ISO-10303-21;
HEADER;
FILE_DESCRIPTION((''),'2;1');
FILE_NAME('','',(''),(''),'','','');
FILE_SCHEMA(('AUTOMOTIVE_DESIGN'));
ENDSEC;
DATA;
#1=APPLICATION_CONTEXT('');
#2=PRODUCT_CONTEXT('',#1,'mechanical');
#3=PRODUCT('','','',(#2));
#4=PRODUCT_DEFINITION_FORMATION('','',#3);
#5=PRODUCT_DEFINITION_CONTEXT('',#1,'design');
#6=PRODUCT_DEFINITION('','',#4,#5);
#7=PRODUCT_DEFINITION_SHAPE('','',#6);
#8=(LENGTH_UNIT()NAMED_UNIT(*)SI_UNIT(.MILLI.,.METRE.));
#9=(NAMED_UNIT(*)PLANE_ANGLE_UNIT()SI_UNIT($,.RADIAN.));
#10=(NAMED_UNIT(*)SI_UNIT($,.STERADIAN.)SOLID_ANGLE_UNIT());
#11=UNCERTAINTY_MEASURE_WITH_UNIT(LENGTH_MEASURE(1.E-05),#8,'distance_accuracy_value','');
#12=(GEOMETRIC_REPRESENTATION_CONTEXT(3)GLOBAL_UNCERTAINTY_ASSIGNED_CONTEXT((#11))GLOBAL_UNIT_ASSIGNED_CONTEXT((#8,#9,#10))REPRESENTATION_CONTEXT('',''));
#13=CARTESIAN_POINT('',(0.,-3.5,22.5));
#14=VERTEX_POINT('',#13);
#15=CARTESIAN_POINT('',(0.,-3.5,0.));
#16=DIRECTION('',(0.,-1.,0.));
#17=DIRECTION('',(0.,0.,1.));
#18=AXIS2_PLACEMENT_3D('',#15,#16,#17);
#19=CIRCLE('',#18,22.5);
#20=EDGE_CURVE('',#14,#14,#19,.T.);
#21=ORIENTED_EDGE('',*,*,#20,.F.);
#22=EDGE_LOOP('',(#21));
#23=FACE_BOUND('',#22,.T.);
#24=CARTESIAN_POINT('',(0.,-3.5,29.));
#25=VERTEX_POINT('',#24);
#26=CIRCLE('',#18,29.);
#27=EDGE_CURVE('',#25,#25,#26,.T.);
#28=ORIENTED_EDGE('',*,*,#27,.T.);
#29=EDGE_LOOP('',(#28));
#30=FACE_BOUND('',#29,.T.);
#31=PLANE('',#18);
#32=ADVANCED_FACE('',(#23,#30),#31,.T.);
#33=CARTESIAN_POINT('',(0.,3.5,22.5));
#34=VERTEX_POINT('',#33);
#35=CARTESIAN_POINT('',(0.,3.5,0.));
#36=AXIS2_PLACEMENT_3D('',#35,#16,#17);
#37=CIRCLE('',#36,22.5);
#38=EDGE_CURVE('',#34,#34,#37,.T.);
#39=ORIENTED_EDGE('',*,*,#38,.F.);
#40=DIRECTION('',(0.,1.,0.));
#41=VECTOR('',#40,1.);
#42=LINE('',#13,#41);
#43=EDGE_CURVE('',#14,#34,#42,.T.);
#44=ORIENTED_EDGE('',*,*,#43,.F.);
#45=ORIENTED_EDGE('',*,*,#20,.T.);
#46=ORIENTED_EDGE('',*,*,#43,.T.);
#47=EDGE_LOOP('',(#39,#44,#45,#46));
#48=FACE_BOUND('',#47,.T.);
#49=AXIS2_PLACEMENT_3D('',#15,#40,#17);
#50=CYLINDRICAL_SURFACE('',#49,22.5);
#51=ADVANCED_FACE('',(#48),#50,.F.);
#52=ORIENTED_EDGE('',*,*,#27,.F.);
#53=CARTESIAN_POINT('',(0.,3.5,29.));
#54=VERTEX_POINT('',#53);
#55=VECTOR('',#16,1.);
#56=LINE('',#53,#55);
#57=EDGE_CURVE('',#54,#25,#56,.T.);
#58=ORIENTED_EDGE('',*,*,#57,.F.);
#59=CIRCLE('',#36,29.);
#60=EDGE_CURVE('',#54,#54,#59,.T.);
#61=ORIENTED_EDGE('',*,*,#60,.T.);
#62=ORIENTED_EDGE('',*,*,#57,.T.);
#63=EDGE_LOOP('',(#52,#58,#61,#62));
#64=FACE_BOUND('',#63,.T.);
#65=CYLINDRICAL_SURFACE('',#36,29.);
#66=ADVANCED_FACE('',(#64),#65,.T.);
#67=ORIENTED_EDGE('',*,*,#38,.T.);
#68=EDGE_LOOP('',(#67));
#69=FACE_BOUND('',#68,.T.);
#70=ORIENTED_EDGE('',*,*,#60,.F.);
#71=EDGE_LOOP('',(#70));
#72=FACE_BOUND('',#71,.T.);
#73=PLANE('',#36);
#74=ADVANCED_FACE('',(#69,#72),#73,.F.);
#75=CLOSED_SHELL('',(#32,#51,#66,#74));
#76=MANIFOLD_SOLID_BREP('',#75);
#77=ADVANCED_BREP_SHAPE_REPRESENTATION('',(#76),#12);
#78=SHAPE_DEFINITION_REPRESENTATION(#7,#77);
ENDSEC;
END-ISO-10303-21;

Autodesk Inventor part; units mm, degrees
ref_plane "YZ Plane" through (0, 0, 0) normal (1, 0, 0) x (0, 1, 0)
ref_plane "XZ Plane" through (0, 0, 0) normal (0, 1, 0) x (-1, 0, 0)
ref_plane "XY Plane" through (0, 0, 0) normal (0, 0, 1) x (1, 0, 0)
sketch "Sketch1" plane through (0, 0, 0) normal (1, 0, 0) x (0, 1, 0)
  line L0 (-3.5, 22.5) -> (3.5, 22.5)
  line L1 (3.5, 22.5) -> (3.5, 29)
  line L2 (3.5, 29) -> (-3.5, 29)
  line L3 (-3.5, 29) -> (-3.5, 22.5)
  line L4 (-3.5, 22.5) -> (3.5, 29) construction
  line L5 (3.5, 22.5) -> (-3.5, 29) construction
  line L6 (3.5, 0) -> (-3.5, 0)
  point P0 (0, 0)
  point P1 (0, 25.75)
  point P2 (0, 0)
  dimension "d0" = 45
  dimension "d1" = 58
  dimension "d2" = 7
revolve "Revolution1" add sketch "Sketch1" angle 360 about axis through (0, 3.5, 0) along (0, -1, 0)
properties part number "Case_Bearing_GB" material "Stainless Steel"
